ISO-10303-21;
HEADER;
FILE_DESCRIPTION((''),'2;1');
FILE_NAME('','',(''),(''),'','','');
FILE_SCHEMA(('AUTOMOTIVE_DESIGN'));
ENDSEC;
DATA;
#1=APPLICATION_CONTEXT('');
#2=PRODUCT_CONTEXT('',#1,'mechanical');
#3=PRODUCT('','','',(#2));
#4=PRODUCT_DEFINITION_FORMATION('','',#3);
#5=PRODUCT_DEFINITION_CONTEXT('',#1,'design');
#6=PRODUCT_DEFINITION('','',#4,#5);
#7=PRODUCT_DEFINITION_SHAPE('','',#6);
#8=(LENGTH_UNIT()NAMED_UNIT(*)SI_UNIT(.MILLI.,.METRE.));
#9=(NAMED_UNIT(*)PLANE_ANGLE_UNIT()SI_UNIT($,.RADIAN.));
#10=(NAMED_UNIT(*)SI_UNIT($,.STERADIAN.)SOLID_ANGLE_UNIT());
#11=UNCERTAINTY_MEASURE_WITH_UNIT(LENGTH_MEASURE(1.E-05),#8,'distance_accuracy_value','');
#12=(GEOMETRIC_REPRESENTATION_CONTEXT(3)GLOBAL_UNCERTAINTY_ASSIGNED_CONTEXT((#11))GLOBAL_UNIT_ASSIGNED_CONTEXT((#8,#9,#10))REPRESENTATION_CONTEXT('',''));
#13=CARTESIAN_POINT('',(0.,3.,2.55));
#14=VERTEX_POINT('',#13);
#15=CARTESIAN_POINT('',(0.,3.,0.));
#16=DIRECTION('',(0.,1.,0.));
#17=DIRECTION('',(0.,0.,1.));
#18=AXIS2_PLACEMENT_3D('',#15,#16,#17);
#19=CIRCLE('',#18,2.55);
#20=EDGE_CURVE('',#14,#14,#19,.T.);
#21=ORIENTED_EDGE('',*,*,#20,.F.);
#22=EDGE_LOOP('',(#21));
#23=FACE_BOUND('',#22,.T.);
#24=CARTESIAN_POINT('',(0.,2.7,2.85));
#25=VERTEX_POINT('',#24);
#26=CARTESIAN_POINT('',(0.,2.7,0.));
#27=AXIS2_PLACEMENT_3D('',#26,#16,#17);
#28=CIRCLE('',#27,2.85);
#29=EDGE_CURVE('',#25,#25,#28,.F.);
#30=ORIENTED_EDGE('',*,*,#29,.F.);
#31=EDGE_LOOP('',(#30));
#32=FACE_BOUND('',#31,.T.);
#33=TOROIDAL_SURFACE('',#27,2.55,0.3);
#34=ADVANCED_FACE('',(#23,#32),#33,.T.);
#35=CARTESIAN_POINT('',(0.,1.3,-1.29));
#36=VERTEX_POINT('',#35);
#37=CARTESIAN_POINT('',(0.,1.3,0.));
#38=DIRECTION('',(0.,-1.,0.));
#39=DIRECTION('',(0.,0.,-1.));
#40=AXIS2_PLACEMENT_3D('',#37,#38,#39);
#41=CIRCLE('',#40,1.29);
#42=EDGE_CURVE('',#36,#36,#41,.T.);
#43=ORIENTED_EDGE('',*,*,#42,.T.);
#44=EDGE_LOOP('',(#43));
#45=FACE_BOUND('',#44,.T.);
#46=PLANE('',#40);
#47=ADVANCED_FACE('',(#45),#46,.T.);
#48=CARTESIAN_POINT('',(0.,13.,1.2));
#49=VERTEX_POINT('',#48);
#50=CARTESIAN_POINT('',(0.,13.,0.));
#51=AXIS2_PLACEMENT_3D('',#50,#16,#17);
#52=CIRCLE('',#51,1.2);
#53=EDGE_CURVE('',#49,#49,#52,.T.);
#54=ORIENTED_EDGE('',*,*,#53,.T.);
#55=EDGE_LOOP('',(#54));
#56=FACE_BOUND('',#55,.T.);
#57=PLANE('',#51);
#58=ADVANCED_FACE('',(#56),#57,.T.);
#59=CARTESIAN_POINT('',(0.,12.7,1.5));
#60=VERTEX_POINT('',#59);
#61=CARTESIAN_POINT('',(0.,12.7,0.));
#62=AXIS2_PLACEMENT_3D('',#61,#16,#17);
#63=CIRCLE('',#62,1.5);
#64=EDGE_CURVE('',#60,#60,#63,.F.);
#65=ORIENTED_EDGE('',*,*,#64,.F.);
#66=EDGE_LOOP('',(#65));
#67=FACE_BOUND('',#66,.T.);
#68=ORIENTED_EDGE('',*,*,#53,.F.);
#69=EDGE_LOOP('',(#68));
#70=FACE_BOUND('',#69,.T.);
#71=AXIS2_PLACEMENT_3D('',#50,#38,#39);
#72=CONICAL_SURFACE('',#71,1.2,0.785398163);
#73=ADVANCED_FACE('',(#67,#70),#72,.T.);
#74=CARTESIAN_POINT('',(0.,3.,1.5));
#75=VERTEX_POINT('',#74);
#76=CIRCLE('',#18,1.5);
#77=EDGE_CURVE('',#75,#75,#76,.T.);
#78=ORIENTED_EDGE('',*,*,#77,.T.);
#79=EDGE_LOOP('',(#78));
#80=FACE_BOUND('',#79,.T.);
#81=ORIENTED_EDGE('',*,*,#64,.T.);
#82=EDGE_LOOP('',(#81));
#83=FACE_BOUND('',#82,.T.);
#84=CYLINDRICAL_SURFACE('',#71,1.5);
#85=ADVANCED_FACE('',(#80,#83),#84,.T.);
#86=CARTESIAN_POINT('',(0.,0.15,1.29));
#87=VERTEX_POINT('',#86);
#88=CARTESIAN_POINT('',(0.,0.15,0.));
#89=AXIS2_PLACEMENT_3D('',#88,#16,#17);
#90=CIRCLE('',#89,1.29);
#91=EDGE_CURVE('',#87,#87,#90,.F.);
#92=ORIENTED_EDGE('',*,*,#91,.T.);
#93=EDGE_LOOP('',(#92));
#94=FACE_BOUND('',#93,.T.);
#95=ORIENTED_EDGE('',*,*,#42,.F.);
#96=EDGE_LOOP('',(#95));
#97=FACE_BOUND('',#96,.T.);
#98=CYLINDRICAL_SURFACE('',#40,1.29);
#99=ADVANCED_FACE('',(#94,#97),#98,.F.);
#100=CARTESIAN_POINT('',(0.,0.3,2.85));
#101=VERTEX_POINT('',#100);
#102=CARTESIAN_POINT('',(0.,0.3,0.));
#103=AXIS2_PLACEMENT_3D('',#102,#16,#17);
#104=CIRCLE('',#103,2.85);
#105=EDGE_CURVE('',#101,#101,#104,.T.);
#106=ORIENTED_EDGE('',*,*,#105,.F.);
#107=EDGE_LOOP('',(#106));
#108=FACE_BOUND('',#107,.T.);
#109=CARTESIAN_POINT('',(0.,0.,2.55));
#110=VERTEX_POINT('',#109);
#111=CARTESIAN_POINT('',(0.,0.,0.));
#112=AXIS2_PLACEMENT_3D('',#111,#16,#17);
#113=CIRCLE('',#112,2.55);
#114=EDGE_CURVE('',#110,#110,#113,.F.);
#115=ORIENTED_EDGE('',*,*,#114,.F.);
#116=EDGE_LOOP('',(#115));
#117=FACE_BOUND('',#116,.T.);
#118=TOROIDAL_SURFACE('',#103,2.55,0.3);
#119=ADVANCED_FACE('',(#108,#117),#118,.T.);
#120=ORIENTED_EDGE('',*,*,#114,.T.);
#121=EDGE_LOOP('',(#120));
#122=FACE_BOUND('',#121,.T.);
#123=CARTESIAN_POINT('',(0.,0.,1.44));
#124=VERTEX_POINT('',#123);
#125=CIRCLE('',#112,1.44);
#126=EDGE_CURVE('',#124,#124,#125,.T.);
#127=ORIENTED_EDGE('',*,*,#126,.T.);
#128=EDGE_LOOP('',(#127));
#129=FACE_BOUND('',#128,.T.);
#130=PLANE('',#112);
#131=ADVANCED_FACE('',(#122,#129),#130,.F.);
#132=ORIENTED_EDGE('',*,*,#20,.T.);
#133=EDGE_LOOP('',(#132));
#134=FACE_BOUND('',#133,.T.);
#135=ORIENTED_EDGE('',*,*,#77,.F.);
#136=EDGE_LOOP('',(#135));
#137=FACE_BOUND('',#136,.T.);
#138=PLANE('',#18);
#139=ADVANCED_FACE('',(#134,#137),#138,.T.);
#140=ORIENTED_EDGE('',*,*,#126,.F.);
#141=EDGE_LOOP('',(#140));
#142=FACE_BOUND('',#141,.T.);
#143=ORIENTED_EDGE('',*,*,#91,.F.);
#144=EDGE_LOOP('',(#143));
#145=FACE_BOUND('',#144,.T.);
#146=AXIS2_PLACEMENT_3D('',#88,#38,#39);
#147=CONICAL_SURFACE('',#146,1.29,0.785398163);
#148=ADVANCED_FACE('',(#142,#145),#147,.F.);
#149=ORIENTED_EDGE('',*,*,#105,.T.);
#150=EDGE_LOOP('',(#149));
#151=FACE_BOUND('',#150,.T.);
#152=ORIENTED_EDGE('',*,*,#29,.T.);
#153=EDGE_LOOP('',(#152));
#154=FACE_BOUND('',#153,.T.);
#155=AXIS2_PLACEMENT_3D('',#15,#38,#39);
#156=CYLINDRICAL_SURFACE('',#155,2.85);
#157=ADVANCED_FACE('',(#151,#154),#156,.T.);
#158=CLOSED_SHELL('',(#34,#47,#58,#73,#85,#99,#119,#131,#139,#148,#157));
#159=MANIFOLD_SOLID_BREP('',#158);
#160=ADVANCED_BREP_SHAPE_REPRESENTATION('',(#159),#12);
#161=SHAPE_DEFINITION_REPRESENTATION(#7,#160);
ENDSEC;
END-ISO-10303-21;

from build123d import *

# Parameters (mm, degrees)
SKETCH_1_R          = 2.85
EXTRUDE_1_DEPTH     = 3
SKETCH_2_R          = 1.5
EXTRUDE_2_DEPTH     = 10
SKETCH_3_R          = 1.29
CUT_EXTRUDE_1_DEPTH = 1.3
FILLET_1_R          = 0.3
CHAMFER_1_SIZE      = 0.3
CHAMFER_2_SIZE      = 0.15


with BuildPart() as part:
    # 草图1 → 凸台-拉伸1 (new body)
    with BuildSketch(Plane(origin=(0, 0, 0), x_dir=(1, 0, 0), z_dir=(0, 1, 0))):
        with Locations(Location((0, 0, 0), (0, 0, 270))):
            Circle(SKETCH_1_R)
    extrude(amount=EXTRUDE_1_DEPTH)

    # 草图2 → 凸台-拉伸2 (add)
    with BuildSketch(Plane(origin=(0, 3, 0), x_dir=(1, 0, 0), z_dir=(0, 1, 0))):
        with Locations(Location((0, 0, 0), (0, 0, 270))):
            Circle(SKETCH_2_R)
    extrude(amount=EXTRUDE_2_DEPTH)

    # 草图3 → 切除-拉伸1 (cut)
    with BuildSketch(Plane.XZ):
        with Locations(Location((0, 0, 0), (0, 0, 270))):
            Circle(SKETCH_3_R)
    extrude(amount=-CUT_EXTRUDE_1_DEPTH, mode=Mode.SUBTRACT)

    # 圆角1
    fillet_1_edges = [part.edges().sort_by_distance(p)[0] for p in [
        (0, 0, -2.85),
        (0, 3, -2.85),
    ]]
    fillet(fillet_1_edges, radius=FILLET_1_R)

    # 倒角1
    chamfer_1_edges = [part.edges().sort_by_distance(p)[0] for p in [
        (0, 13, -1.5),
    ]]
    chamfer(chamfer_1_edges, length=CHAMFER_1_SIZE)

    # 倒角2
    chamfer_2_edges = [part.edges().sort_by_distance(p)[0] for p in [
        (0, 0, 1.29),
    ]]
    chamfer(chamfer_2_edges, length=CHAMFER_2_SIZE)


solid = part.part
